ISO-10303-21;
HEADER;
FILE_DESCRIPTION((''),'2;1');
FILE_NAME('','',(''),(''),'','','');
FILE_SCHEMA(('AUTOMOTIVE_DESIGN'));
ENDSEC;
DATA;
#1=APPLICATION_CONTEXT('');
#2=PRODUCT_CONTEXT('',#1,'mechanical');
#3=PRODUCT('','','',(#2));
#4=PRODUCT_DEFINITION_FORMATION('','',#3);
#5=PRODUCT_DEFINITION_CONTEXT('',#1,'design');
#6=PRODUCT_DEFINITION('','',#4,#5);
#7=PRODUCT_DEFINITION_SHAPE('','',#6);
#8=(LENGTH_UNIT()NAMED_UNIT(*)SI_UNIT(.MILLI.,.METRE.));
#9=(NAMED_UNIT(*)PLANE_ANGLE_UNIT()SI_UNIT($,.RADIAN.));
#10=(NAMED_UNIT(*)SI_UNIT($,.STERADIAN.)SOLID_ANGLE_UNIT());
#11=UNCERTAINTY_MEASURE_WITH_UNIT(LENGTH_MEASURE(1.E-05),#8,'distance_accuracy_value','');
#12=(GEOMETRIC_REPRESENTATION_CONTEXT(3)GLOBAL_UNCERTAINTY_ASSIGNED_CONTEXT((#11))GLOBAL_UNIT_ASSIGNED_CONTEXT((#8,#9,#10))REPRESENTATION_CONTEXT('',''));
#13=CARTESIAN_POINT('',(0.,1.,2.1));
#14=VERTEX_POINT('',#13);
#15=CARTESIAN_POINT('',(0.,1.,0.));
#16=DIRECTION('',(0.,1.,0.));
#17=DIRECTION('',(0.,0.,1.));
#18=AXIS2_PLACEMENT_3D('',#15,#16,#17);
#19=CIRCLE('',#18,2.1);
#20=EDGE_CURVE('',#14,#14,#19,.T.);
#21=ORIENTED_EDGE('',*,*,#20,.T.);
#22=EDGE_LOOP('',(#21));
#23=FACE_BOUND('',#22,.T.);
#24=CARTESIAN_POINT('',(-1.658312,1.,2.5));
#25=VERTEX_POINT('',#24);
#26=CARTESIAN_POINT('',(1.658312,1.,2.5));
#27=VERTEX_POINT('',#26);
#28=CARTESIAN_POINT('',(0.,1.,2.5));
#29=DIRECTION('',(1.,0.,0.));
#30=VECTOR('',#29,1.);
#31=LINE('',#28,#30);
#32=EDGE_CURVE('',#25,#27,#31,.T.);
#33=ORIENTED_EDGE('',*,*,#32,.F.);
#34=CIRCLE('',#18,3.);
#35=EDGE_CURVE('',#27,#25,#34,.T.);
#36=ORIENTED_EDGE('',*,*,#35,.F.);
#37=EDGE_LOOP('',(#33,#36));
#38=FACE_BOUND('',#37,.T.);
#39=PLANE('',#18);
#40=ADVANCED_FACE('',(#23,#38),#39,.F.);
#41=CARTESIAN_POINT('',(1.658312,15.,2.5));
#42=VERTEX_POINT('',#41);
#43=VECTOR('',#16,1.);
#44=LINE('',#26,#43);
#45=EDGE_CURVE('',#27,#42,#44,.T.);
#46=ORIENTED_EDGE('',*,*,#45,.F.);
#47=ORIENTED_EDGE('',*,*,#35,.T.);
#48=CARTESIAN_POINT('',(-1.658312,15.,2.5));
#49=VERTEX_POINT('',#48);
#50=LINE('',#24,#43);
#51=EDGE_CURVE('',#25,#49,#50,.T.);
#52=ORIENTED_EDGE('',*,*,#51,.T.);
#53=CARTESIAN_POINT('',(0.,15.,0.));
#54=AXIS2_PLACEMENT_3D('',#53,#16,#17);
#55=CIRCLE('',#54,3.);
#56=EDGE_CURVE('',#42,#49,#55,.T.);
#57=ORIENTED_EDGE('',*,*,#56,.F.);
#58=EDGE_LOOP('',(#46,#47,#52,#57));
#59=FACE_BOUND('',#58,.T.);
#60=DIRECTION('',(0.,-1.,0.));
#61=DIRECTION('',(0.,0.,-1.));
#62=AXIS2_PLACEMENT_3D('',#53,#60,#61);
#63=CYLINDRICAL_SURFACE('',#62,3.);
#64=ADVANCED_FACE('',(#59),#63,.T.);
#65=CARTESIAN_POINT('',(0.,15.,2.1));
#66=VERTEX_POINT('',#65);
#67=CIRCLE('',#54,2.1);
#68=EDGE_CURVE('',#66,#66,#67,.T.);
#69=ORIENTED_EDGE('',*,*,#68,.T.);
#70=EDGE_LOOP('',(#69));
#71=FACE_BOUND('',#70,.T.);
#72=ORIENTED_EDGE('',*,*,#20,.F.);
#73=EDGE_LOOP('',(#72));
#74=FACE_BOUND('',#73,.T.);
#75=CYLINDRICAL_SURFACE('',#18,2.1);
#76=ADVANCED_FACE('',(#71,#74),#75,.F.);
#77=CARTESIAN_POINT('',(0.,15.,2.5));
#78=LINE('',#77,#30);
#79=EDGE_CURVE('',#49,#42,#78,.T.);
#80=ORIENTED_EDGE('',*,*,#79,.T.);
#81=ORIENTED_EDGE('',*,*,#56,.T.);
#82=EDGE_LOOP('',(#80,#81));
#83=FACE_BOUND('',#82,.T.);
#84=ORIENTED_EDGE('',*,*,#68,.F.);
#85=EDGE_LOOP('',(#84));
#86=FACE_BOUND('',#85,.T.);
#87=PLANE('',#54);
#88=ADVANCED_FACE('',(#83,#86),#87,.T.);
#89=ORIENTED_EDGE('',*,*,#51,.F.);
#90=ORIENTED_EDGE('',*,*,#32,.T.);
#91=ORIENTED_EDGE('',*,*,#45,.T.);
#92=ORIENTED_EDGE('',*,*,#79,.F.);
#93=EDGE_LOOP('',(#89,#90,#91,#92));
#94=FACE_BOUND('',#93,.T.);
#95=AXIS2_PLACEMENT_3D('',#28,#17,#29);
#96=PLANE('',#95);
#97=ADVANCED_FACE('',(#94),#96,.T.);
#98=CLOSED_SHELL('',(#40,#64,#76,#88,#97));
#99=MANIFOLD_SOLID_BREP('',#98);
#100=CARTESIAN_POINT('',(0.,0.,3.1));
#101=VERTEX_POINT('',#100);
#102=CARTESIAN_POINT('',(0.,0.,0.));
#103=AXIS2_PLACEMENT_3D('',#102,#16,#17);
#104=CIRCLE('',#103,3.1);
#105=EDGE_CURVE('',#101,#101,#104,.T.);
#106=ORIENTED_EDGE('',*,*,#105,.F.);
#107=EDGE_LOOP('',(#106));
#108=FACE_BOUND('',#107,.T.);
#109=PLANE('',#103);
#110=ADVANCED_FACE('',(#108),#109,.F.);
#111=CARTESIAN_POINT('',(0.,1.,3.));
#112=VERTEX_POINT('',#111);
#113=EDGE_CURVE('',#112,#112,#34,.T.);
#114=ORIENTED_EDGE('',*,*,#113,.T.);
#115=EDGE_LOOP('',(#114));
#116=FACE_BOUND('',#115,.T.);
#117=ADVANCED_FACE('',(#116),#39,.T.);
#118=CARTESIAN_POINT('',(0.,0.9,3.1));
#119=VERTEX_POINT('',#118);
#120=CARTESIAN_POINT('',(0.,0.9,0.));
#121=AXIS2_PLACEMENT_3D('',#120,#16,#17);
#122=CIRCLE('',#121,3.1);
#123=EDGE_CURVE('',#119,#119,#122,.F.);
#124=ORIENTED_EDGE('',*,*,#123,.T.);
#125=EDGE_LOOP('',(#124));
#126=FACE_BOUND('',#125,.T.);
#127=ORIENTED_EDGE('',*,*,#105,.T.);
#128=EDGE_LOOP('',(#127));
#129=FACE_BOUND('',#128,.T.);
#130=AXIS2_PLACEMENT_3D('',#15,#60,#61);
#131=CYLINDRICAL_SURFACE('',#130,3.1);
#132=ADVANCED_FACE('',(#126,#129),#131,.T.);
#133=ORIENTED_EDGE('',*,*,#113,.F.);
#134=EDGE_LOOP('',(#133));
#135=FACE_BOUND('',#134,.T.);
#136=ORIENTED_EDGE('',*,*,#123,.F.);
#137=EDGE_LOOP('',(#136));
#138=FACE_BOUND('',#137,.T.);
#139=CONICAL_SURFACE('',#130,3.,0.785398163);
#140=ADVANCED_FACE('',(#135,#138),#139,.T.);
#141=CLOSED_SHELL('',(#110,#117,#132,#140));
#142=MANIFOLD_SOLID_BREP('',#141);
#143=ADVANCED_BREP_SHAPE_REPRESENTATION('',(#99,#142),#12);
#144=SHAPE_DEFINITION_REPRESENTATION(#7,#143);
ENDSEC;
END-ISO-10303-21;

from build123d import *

# Parameters (mm, degrees)
CROQUIS1_R                 = 3.1
SALIENTE_EXTRUIR1_DEPTH    = 1
CROQUIS2_R                 = 3
SALIENTE_EXTRUIR2_DEPTH    = 14
CHAFL_N3_SIZE              = 0.1
CORTAR_EXTRUIR1_DEPTH      = 16.627539794
CORTAR_EXTRUIR1_DEPTH_BACK = 14
CROQUIS6_R                 = 2.1
CORTAR_EXTRUIR2_DEPTH      = 14


with BuildPart() as part:
    # Croquis1 → Saliente-Extruir1 (new body)
    with BuildSketch(Plane(origin=(0, 0, 0), x_dir=(1, 0, 0), z_dir=(0, 1, 0))):
        with Locations(Location((0, 0, 0), (0, 0, 270))):
            Circle(CROQUIS1_R)
    extrude(amount=SALIENTE_EXTRUIR1_DEPTH)

    # Chaflán3
    chafl_n3_edges = [part.edges().sort_by_distance(p)[0] for p in [
        (0, 1, -3.1),
    ]]
    chamfer(chafl_n3_edges, length=CHAFL_N3_SIZE)


with BuildPart() as body_2:
    # Croquis2 → Saliente-Extruir2 (new body)
    with BuildSketch(Plane(origin=(0, 1, 0), x_dir=(1, 0, 0), z_dir=(0, 1, 0))):
        with Locations(Location((0, 0, 0), (0, 0, 270))):
            Circle(CROQUIS2_R)
    extrude(amount=SALIENTE_EXTRUIR2_DEPTH)

    # Croquis5 → Cortar-Extruir1 (cut, two sides: drawn at the far end of the back side and taken through both)
    with BuildSketch(Plane(origin=(0, 15, 0), x_dir=(1, 0, 0), z_dir=(0, 1, 0)).offset(-CORTAR_EXTRUIR1_DEPTH_BACK)):
        with BuildLine():
            Line((1.658312395, -2.5), (-1.658312395, -2.5))
            ThreePointArc((-1.658312395, -2.5), (0, -3), (1.658312395, -2.5))
        make_face()
    extrude(amount=CORTAR_EXTRUIR1_DEPTH + CORTAR_EXTRUIR1_DEPTH_BACK, mode=Mode.SUBTRACT)

    # Croquis6 → Cortar-Extruir2 (cut)
    with BuildSketch(Plane(origin=(0, 15, 0), x_dir=(1, 0, 0), z_dir=(0, 1, 0))):
        with Locations(Location((0, 0, 0), (0, 0, 270))):
            Circle(CROQUIS6_R)
    extrude(amount=-CORTAR_EXTRUIR2_DEPTH, mode=Mode.SUBTRACT)


solid = Compound([part.part, body_2.part])
